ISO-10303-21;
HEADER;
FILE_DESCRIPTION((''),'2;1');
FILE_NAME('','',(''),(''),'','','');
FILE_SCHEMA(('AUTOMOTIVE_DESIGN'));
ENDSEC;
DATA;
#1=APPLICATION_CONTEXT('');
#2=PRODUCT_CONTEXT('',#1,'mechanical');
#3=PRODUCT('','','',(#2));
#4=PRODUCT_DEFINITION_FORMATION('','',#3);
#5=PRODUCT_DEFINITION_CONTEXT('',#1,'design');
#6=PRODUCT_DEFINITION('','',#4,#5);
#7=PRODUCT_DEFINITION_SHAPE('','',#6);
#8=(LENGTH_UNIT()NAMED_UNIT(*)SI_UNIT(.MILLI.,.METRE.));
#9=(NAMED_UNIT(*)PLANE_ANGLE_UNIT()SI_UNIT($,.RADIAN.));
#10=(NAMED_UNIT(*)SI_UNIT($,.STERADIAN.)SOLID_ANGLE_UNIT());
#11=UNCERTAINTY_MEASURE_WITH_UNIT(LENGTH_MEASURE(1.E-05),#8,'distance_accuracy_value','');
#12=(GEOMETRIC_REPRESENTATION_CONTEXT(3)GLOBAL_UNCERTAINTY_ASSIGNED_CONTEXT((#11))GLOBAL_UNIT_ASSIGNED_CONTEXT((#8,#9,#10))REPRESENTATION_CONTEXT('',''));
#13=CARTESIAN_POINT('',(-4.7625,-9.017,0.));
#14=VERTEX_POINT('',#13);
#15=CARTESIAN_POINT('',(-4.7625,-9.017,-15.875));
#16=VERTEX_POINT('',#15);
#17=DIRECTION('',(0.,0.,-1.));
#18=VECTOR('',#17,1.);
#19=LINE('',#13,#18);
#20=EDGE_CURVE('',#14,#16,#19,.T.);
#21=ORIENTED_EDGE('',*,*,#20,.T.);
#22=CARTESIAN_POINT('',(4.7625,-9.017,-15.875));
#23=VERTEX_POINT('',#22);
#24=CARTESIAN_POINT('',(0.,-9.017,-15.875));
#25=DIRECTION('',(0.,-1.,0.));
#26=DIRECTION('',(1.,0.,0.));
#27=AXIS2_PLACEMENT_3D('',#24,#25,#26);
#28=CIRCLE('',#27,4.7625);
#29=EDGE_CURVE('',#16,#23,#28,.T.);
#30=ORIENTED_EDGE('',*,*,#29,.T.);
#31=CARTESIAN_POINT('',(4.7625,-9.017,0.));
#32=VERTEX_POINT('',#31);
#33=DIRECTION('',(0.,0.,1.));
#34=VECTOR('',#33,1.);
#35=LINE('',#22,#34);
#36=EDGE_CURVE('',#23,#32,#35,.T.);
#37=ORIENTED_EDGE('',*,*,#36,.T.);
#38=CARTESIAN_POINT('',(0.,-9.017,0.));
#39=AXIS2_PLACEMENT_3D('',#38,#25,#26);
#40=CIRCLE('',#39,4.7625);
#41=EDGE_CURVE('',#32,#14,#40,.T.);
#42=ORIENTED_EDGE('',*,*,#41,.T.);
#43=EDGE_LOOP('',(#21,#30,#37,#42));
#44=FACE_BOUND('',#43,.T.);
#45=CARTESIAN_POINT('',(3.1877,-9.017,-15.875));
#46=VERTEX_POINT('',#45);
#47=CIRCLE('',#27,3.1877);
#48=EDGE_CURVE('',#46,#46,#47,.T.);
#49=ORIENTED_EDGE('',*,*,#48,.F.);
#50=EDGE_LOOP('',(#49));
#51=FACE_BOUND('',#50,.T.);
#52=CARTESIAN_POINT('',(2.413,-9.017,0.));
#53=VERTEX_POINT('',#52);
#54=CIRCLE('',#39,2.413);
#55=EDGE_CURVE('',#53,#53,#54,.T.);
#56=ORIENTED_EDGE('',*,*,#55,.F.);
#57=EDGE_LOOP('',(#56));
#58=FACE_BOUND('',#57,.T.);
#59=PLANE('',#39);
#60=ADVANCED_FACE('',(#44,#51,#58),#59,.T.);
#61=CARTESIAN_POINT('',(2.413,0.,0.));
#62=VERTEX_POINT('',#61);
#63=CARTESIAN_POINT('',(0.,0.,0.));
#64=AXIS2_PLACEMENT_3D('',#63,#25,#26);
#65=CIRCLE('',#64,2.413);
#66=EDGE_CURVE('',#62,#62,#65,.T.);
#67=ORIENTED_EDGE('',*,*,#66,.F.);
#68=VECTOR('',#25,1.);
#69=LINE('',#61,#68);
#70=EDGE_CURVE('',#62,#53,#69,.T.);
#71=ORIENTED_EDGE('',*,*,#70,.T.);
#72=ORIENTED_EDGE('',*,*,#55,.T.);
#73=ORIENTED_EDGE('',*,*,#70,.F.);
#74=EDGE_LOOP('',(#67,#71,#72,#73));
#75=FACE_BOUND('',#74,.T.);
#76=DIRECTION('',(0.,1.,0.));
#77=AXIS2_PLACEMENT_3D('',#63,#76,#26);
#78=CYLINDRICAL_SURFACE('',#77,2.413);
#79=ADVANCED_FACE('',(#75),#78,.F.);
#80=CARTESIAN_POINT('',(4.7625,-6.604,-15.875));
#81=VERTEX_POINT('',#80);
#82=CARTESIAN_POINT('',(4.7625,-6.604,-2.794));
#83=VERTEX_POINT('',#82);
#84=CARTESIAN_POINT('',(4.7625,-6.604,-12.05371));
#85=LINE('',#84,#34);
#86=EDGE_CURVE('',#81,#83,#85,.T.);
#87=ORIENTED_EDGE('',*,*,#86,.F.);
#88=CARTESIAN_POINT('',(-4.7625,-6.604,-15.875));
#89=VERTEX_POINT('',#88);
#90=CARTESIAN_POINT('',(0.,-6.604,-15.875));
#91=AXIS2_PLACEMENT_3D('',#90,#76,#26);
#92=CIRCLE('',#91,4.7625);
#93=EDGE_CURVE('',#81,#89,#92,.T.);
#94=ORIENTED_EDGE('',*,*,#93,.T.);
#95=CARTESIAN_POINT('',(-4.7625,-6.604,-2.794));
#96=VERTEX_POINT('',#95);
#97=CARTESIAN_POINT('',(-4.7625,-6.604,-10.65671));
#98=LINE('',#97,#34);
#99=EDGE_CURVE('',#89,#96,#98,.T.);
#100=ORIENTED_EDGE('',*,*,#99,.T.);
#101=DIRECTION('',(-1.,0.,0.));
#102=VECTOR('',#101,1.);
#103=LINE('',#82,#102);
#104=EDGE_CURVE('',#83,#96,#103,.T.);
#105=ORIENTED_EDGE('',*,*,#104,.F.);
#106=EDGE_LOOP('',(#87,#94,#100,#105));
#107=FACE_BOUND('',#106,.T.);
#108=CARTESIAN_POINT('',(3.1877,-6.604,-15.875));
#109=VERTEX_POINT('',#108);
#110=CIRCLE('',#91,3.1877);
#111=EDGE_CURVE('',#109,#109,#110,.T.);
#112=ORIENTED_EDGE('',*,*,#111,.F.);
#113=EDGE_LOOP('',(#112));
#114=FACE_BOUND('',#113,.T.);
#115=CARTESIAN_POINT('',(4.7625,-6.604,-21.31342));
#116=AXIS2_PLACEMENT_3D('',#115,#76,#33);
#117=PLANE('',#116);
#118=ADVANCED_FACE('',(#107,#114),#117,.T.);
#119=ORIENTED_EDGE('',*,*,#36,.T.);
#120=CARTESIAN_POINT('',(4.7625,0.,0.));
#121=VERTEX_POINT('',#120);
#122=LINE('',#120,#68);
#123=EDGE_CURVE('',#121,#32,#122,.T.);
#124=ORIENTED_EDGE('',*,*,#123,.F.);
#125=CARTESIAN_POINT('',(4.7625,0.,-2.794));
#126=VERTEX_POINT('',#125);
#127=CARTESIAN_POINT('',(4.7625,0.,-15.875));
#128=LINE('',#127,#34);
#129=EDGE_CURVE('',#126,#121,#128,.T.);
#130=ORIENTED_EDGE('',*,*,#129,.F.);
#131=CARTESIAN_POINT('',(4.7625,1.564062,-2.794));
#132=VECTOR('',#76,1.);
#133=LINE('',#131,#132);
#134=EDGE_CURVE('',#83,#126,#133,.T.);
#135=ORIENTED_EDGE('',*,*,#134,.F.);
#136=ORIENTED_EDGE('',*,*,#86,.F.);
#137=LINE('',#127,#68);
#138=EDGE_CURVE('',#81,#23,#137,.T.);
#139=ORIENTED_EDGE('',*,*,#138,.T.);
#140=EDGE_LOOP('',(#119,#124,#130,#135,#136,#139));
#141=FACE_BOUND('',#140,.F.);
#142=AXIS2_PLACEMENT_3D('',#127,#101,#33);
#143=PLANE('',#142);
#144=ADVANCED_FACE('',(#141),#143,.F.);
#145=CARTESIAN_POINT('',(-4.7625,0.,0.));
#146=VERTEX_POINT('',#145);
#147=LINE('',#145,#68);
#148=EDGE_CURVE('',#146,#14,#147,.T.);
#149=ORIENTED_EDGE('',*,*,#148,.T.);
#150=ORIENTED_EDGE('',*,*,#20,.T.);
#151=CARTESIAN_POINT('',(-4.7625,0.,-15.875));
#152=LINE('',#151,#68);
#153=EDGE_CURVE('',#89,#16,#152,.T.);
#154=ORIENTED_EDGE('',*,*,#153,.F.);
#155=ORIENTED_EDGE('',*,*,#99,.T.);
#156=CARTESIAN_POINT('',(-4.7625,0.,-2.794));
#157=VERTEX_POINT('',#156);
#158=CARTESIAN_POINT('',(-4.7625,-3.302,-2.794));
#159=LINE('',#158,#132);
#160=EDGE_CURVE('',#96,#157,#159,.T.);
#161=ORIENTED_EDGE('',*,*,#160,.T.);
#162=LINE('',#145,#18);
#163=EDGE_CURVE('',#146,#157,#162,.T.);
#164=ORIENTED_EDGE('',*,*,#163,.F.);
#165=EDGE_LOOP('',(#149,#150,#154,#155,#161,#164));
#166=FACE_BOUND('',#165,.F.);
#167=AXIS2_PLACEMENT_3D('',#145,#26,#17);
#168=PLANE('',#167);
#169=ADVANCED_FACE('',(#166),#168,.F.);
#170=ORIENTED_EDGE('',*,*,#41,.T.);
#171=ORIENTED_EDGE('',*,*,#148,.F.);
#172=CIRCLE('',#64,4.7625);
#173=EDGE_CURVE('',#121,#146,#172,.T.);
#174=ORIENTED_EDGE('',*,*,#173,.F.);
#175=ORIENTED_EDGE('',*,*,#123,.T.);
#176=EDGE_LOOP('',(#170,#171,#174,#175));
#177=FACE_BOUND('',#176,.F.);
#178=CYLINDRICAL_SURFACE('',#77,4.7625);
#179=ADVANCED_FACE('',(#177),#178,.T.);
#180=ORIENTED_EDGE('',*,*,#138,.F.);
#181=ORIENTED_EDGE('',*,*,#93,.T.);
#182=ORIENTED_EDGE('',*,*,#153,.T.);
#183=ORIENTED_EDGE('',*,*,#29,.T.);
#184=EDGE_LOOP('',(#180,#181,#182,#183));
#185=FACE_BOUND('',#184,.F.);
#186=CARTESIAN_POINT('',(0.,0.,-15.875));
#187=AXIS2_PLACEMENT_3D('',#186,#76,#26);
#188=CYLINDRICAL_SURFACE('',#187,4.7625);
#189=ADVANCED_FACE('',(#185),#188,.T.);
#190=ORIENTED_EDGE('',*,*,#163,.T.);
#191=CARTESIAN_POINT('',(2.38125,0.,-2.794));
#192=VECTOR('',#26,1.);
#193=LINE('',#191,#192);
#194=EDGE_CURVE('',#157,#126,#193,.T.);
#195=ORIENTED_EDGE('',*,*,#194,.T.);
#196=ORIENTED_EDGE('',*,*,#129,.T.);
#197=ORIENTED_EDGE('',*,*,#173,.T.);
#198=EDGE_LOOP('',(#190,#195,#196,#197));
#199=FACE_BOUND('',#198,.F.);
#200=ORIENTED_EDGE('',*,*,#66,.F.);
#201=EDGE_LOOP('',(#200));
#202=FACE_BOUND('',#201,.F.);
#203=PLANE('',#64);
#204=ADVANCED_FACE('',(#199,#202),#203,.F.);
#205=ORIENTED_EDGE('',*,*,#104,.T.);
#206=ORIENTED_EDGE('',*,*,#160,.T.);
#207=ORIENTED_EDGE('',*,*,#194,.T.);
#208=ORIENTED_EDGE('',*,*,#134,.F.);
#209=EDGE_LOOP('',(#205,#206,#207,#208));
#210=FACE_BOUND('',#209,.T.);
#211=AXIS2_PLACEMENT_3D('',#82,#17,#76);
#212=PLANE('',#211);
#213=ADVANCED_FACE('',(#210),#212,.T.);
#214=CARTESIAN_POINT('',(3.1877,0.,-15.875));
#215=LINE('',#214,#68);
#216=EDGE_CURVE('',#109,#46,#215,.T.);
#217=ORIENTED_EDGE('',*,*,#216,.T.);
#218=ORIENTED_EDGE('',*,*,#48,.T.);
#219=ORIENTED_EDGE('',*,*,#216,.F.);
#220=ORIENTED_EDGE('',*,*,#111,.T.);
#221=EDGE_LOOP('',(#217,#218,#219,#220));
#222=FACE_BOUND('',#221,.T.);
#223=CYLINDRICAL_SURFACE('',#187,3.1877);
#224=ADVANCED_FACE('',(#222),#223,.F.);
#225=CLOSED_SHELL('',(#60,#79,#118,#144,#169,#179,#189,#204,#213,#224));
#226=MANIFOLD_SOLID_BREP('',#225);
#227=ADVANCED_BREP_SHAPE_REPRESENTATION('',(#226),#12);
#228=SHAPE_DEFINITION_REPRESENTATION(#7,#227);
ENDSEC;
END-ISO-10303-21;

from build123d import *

# Parameters (mm, degrees)
F0_R     = 2.413
F0_R_2   = 3.1877
F1_DEPTH = 9.017
F2_W     = 16.336124
F2_H     = 18.51942
F3_DEPTH = 9.526


with BuildPart() as f1:
    # F0 (on Front) → F1 (new body)
    with BuildSketch(Plane.XZ):
        with BuildLine():
            ThreePointArc((-4.7625, 0), (0, -4.7625), (4.7625, 0))
            ThreePointArc((4.7625, 0), (0, 4.7625), (-4.7625, 0))
        make_face()
        Circle(F0_R, mode=Mode.SUBTRACT)
        with BuildLine():
            Line((4.7625, -15.875), (4.7625, 0))
            ThreePointArc((4.7625, 0), (0, -4.7625), (-4.7625, 0))
            Line((-4.7625, 0), (-4.7625, -15.875))
            ThreePointArc((-4.7625, -15.875), (0, -11.1125), (4.7625, -15.875))
        make_face()
        with BuildLine():
            ThreePointArc((-4.7625, -15.875), (0, -20.6375), (4.7625, -15.875))
            ThreePointArc((4.7625, -15.875), (0, -11.1125), (-4.7625, -15.875))
        make_face()
        with Locations((0, -15.875)):
            Circle(F0_R_2, mode=Mode.SUBTRACT)
    extrude(amount=F1_DEPTH)

    # F2 (on face) → F3 (cut, through all)
    with BuildSketch(Plane.YZ.offset(4.7625)):
        with Locations((1.564062, -12.05371)):
            Rectangle(F2_W, F2_H)
    extrude(amount=-F3_DEPTH, mode=Mode.SUBTRACT)


solid = f1.part
